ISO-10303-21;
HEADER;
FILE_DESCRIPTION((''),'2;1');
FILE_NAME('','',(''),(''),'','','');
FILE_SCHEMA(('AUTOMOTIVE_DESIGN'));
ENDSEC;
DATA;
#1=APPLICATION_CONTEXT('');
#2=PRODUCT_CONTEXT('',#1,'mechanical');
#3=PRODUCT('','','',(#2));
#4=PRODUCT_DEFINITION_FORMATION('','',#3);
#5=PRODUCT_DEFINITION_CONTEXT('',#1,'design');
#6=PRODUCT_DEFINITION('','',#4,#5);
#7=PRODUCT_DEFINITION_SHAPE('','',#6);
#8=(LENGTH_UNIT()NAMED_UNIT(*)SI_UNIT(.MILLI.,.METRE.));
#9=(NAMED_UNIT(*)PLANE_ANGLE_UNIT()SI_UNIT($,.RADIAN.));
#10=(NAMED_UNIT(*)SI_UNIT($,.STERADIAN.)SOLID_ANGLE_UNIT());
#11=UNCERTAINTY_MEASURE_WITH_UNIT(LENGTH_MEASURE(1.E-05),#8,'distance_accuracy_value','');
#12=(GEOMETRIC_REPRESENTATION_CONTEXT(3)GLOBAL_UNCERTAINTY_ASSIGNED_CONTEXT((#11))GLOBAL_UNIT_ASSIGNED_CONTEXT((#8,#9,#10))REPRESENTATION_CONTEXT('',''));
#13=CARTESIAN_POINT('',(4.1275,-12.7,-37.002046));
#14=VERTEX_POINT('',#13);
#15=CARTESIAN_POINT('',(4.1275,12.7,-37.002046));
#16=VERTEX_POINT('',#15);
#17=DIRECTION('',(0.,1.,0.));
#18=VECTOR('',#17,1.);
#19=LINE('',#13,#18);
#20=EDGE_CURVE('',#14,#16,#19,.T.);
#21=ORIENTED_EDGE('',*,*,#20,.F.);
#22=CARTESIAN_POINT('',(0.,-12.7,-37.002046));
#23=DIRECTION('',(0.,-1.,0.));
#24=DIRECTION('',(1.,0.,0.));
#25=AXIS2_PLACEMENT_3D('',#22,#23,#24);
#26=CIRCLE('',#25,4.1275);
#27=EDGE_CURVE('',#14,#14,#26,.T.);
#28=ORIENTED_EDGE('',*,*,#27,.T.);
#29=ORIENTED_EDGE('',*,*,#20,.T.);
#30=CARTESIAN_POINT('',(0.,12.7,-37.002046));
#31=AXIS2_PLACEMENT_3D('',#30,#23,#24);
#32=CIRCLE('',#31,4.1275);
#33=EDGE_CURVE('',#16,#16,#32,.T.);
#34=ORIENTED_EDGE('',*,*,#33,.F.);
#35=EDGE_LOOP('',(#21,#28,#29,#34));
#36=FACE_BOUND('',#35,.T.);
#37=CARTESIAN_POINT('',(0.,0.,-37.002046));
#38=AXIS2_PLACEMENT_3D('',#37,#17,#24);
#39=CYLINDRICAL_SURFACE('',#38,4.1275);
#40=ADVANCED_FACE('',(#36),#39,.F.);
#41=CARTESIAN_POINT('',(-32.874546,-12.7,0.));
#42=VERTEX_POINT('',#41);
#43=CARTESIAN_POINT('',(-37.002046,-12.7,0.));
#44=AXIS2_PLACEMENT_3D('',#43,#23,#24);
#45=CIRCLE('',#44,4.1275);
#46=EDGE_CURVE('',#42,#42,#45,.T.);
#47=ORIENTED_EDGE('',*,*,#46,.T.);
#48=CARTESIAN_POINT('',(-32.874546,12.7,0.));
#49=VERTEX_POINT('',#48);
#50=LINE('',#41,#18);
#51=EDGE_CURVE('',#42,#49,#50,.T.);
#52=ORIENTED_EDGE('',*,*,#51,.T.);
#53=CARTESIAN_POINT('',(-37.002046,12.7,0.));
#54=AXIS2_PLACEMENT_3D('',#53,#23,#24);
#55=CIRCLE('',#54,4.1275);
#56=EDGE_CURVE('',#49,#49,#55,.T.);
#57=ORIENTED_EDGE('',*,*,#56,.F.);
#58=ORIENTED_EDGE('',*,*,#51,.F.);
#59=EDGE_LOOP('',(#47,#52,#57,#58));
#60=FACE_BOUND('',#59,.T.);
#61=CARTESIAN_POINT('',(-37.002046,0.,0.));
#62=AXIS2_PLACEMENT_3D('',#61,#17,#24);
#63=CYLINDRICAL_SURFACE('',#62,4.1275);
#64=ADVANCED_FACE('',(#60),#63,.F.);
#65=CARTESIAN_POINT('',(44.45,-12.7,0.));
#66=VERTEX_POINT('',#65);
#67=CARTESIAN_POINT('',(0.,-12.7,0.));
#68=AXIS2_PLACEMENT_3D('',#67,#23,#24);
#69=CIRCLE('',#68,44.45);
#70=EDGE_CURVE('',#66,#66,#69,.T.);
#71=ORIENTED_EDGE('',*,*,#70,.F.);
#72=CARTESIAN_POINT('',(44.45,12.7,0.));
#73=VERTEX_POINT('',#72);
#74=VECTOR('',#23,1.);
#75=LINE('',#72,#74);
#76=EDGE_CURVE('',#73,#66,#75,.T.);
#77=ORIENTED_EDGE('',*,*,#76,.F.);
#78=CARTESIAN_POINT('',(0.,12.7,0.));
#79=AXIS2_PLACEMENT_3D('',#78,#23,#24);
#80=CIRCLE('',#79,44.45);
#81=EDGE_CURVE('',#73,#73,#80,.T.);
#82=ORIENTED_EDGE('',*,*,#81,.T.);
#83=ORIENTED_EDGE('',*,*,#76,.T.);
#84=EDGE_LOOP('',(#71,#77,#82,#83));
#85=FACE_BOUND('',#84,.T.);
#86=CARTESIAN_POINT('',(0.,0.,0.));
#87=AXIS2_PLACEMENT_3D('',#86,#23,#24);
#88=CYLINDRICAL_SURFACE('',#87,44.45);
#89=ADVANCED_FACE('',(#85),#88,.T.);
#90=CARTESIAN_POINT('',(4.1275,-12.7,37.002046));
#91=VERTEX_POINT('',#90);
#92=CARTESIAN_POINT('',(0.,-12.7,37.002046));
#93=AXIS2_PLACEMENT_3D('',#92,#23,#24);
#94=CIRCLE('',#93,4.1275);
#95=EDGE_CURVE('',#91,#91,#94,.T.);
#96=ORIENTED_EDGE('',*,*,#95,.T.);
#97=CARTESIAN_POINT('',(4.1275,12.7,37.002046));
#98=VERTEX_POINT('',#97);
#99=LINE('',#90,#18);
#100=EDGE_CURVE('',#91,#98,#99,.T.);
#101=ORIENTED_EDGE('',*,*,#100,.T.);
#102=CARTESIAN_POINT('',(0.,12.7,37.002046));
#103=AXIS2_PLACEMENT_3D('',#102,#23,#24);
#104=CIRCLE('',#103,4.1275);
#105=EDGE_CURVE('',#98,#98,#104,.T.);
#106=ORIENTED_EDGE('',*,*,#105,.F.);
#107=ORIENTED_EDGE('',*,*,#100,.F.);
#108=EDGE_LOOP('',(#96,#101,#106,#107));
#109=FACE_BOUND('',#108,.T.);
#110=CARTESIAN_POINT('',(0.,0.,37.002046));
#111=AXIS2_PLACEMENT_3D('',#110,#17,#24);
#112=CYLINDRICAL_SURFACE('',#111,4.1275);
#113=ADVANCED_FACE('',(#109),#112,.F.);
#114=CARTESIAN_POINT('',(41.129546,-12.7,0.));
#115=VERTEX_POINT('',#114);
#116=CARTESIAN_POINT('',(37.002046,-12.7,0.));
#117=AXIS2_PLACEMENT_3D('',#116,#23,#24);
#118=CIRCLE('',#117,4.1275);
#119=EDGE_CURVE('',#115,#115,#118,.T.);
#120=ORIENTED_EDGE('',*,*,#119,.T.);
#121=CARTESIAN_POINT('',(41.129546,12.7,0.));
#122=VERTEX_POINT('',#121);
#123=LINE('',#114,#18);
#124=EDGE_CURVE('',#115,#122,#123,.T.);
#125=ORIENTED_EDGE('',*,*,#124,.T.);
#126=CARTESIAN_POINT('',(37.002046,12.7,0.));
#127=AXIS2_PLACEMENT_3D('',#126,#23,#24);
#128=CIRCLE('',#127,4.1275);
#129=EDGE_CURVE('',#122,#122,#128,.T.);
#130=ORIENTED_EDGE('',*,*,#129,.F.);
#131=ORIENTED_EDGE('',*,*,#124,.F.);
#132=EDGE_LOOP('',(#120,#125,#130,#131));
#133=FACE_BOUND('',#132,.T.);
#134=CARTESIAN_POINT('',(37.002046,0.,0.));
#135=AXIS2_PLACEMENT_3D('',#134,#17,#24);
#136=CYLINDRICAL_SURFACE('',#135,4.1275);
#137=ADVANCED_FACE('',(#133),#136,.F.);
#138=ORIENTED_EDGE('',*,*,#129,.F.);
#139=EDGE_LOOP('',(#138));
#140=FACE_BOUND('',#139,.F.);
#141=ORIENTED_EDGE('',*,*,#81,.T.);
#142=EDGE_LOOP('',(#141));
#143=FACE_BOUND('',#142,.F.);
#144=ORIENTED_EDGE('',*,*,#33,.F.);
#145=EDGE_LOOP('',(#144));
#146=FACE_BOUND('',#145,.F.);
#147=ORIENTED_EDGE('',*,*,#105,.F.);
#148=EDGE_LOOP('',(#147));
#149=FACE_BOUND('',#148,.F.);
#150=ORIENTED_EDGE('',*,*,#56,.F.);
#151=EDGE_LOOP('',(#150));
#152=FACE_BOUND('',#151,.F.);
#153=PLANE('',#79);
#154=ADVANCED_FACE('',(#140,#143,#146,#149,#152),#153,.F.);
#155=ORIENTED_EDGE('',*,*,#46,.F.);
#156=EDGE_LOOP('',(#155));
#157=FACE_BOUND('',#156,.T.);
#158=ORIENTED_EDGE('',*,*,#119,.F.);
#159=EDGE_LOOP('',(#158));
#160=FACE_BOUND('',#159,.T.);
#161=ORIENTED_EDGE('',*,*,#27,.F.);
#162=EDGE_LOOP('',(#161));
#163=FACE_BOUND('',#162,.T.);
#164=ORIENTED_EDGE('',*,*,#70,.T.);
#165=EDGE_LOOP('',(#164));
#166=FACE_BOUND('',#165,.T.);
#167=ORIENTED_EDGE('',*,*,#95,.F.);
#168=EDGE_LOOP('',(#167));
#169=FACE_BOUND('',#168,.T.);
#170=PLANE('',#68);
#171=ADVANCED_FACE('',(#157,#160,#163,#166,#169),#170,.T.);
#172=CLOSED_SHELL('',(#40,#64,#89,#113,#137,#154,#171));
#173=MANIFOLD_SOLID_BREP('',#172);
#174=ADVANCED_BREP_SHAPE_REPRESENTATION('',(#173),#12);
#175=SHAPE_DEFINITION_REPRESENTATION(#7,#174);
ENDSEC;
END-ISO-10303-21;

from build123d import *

# Parameters (mm, degrees)
F0_R     = 44.45
F0_R_2   = 4.1275
F1_DEPTH = 12.7


with BuildPart() as f1:
    # F0 (on Front) → F1 (new body, symmetric)
    with BuildSketch(Plane.XZ):
        Circle(F0_R)
        with Locations((-37.002046, 0)):
            Circle(F0_R_2, mode=Mode.SUBTRACT)
        with Locations((0, -37.002046)):
            Circle(F0_R_2, mode=Mode.SUBTRACT)
        with Locations((37.002046, 0)):
            Circle(F0_R_2, mode=Mode.SUBTRACT)
        with Locations((0, 37.002046)):
            Circle(F0_R_2, mode=Mode.SUBTRACT)
    extrude(amount=F1_DEPTH, both=True)


solid = f1.part
